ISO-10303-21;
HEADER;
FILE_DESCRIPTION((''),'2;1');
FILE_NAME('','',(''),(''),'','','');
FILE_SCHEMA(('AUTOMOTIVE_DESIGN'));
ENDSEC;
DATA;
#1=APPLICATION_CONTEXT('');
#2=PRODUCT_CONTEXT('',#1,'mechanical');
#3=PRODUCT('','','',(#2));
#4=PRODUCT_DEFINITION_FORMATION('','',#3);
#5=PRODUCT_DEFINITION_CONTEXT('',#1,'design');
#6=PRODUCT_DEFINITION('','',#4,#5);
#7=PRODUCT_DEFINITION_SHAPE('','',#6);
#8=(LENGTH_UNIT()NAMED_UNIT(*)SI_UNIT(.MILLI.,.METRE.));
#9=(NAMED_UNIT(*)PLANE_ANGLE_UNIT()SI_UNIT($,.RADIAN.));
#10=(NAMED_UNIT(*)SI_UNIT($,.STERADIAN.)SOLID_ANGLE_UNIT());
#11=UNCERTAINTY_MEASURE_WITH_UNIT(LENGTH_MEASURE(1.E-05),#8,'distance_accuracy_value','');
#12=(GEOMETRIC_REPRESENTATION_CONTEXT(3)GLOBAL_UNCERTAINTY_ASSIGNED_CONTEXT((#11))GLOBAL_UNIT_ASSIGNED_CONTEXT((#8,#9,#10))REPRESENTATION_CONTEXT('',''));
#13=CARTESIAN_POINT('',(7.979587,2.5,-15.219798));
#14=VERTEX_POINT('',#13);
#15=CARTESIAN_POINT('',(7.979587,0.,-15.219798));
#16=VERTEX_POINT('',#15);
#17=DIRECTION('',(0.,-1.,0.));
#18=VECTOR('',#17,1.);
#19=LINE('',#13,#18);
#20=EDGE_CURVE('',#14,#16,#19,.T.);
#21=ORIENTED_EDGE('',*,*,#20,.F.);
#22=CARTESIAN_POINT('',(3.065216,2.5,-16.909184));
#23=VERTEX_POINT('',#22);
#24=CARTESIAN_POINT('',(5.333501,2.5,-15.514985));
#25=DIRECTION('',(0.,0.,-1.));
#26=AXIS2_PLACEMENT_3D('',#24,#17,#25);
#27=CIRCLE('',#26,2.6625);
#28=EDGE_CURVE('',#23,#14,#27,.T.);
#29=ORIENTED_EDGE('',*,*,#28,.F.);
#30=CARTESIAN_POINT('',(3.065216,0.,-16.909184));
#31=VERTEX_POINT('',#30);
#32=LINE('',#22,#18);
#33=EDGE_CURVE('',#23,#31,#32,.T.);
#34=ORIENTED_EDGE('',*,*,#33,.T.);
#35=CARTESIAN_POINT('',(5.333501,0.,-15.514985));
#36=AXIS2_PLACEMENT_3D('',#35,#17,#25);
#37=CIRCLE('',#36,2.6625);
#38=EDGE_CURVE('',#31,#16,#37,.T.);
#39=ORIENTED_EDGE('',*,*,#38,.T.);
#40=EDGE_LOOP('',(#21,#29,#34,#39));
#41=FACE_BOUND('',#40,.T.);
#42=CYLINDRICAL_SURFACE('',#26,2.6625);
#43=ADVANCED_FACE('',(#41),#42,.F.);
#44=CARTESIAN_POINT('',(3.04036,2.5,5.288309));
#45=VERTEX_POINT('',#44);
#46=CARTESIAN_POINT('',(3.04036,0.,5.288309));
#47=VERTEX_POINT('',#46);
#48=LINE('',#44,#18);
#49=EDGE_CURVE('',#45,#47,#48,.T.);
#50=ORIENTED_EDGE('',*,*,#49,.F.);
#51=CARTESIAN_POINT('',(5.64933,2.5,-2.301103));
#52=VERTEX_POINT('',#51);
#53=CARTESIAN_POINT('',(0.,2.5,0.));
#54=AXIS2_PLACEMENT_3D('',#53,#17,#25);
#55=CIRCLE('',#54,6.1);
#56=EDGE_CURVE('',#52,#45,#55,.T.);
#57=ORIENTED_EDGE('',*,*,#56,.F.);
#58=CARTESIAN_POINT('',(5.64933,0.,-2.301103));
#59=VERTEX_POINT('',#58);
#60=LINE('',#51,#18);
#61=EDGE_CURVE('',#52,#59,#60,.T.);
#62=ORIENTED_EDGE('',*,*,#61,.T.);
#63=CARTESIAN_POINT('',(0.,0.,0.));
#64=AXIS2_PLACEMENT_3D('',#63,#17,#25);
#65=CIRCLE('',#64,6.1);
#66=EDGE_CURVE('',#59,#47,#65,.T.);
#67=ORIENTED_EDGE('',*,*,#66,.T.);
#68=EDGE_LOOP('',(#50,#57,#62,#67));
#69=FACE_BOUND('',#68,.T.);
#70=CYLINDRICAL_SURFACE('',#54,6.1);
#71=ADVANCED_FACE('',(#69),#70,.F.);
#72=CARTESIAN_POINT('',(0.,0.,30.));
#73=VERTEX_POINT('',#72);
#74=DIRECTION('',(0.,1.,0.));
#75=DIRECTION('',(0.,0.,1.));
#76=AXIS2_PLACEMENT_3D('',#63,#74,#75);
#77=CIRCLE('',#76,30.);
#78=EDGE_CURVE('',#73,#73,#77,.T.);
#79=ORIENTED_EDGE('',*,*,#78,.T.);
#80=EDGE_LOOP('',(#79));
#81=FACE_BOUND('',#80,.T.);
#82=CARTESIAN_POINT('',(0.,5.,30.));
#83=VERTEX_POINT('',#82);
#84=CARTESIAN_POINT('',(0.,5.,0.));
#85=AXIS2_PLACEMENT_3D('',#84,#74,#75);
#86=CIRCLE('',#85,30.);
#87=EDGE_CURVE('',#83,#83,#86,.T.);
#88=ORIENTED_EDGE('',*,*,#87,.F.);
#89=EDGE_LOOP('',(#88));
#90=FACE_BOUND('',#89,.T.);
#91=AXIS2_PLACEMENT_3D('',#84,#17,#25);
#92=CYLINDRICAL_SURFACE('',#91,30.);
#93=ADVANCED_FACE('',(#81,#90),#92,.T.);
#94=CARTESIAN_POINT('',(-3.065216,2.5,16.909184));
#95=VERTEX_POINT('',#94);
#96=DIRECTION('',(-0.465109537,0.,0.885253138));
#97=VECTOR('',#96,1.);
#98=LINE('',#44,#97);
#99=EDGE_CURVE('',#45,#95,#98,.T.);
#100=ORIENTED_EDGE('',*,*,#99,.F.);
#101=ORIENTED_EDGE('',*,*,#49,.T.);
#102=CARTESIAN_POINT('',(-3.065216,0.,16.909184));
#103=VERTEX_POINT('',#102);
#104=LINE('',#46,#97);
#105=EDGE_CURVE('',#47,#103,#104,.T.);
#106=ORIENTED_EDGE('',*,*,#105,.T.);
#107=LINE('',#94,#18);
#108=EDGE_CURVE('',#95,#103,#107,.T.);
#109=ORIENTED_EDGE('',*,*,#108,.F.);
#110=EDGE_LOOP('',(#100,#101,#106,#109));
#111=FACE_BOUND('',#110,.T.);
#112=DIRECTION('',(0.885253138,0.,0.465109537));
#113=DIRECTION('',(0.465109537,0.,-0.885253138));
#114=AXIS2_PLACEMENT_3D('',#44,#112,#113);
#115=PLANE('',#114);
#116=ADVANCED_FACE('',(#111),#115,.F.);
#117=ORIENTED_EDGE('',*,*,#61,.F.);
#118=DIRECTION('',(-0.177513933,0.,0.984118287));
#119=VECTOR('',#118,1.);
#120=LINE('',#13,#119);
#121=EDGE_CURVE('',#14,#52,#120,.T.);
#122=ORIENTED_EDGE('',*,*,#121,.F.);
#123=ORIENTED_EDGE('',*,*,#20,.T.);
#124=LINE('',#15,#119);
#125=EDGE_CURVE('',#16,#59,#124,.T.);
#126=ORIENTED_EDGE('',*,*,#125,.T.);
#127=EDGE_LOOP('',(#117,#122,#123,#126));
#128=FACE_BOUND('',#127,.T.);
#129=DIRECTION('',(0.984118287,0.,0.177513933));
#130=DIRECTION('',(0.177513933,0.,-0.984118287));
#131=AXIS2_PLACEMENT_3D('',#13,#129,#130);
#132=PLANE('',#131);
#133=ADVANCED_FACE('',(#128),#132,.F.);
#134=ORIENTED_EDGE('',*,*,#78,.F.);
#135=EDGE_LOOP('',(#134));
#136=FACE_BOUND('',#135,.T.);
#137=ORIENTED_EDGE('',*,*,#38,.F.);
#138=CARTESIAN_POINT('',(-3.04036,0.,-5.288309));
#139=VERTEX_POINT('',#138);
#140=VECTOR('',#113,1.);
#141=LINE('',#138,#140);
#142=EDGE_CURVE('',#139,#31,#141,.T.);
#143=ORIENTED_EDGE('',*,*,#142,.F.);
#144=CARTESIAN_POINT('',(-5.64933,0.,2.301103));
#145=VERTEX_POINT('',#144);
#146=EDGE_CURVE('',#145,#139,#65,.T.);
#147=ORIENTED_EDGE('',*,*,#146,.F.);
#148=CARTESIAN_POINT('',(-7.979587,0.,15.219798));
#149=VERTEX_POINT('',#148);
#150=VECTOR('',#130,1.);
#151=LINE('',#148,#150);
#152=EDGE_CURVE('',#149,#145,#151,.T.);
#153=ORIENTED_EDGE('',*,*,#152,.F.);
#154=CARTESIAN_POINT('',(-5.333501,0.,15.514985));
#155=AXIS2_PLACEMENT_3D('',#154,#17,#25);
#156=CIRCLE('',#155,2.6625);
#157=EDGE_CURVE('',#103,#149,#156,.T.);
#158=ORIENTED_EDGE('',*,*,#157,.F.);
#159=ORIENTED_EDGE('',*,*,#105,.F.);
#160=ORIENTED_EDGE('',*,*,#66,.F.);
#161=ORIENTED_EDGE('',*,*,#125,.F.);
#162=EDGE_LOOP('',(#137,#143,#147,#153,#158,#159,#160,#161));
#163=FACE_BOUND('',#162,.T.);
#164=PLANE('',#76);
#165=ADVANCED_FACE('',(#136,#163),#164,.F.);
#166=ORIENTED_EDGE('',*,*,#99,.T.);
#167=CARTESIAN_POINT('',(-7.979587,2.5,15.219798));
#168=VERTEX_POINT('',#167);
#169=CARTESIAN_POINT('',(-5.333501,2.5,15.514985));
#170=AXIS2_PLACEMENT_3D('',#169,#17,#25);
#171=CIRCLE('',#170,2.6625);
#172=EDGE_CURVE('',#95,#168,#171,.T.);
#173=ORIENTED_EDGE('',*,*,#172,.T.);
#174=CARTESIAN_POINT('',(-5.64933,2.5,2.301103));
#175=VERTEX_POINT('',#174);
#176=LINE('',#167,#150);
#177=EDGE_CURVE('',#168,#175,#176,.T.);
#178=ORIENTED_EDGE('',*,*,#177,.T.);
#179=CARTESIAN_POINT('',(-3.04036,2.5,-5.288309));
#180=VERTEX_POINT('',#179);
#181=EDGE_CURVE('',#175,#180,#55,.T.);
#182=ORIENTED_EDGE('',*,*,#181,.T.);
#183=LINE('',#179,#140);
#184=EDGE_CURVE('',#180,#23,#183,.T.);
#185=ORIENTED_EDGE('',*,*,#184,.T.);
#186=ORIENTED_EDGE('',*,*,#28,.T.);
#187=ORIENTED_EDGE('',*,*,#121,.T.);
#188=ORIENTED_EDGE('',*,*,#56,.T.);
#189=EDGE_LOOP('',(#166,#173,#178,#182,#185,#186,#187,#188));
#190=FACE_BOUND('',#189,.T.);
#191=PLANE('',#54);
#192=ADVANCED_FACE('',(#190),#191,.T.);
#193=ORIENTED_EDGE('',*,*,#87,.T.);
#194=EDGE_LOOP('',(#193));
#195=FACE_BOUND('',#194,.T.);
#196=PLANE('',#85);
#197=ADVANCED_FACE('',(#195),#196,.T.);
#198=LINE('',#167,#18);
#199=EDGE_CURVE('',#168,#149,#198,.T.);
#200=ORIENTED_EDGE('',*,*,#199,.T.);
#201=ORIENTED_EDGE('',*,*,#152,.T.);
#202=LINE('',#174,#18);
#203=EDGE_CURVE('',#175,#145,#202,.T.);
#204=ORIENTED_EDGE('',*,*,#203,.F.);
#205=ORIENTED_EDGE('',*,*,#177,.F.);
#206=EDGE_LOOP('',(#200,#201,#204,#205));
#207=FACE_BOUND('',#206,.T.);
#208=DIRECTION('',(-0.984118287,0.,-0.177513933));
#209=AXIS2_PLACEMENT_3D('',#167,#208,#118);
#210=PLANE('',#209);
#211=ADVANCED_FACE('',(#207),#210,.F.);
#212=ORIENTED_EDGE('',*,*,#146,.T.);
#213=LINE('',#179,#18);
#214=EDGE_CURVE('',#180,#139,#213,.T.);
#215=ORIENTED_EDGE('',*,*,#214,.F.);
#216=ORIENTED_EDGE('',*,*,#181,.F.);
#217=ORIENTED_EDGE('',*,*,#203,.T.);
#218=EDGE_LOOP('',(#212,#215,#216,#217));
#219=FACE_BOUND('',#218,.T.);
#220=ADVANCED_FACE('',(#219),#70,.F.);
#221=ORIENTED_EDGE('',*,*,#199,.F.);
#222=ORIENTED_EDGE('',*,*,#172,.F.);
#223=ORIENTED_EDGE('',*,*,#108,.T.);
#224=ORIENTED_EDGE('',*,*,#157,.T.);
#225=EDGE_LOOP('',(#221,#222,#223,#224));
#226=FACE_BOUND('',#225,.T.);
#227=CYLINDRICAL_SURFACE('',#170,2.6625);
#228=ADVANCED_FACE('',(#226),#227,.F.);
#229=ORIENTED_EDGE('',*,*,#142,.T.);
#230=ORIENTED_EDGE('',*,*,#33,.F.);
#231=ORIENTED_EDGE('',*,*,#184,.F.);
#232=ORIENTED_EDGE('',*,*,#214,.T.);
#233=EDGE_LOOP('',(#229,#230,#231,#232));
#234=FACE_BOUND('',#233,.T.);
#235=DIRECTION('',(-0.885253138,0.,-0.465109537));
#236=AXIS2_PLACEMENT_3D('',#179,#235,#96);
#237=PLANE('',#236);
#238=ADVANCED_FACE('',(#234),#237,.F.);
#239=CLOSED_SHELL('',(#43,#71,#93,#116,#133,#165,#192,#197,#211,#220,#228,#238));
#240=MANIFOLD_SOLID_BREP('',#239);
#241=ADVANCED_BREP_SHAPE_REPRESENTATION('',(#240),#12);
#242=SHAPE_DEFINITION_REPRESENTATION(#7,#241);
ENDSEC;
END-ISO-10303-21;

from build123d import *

# Parameters (mm, degrees)
SKETCH1_R           = 30
BOSS_EXTRUDE1_DEPTH = 5
CUT_EXTRUDE1_DEPTH  = 2.5


with BuildPart() as part:
    # Sketch1 → Boss-Extrude1 (new body)
    with BuildSketch(Plane(origin=(0, 0, 0), x_dir=(1, 0, 0), z_dir=(0, 1, 0))):
        with Locations(Location((0, 0, 0), (0, 0, 270))):
            Circle(SKETCH1_R)
    extrude(amount=BOSS_EXTRUDE1_DEPTH)

    # Sketch2 → Cut-Extrude1 (cut)
    with BuildSketch(Plane.XZ):
        with BuildLine():
            Line((-3.040359584, -5.288309144), (3.065215801, -16.909184089))
            ThreePointArc((3.065215801, -16.909184089), (6.199058144, -18.03286479), (7.979586598, -15.219798034))
            Line((7.979586598, -15.219798034), (5.649329711, -2.301102739))
            ThreePointArc((5.649329711, -2.301102739), (5.7686626, 1.983061221), (3.040359584, 5.288309144))
            Line((3.040359584, 5.288309144), (-3.065215801, 16.909184089))
            ThreePointArc((-3.065215801, 16.909184089), (-6.199058144, 18.03286479), (-7.979586598, 15.219798034))
            Line((-7.979586598, 15.219798034), (-5.649329711, 2.301102739))
            ThreePointArc((-5.649329711, 2.301102739), (-5.7686626, -1.983061221), (-3.040359584, -5.288309144))
        make_face()
    extrude(amount=-CUT_EXTRUDE1_DEPTH, mode=Mode.SUBTRACT)


solid = part.part
